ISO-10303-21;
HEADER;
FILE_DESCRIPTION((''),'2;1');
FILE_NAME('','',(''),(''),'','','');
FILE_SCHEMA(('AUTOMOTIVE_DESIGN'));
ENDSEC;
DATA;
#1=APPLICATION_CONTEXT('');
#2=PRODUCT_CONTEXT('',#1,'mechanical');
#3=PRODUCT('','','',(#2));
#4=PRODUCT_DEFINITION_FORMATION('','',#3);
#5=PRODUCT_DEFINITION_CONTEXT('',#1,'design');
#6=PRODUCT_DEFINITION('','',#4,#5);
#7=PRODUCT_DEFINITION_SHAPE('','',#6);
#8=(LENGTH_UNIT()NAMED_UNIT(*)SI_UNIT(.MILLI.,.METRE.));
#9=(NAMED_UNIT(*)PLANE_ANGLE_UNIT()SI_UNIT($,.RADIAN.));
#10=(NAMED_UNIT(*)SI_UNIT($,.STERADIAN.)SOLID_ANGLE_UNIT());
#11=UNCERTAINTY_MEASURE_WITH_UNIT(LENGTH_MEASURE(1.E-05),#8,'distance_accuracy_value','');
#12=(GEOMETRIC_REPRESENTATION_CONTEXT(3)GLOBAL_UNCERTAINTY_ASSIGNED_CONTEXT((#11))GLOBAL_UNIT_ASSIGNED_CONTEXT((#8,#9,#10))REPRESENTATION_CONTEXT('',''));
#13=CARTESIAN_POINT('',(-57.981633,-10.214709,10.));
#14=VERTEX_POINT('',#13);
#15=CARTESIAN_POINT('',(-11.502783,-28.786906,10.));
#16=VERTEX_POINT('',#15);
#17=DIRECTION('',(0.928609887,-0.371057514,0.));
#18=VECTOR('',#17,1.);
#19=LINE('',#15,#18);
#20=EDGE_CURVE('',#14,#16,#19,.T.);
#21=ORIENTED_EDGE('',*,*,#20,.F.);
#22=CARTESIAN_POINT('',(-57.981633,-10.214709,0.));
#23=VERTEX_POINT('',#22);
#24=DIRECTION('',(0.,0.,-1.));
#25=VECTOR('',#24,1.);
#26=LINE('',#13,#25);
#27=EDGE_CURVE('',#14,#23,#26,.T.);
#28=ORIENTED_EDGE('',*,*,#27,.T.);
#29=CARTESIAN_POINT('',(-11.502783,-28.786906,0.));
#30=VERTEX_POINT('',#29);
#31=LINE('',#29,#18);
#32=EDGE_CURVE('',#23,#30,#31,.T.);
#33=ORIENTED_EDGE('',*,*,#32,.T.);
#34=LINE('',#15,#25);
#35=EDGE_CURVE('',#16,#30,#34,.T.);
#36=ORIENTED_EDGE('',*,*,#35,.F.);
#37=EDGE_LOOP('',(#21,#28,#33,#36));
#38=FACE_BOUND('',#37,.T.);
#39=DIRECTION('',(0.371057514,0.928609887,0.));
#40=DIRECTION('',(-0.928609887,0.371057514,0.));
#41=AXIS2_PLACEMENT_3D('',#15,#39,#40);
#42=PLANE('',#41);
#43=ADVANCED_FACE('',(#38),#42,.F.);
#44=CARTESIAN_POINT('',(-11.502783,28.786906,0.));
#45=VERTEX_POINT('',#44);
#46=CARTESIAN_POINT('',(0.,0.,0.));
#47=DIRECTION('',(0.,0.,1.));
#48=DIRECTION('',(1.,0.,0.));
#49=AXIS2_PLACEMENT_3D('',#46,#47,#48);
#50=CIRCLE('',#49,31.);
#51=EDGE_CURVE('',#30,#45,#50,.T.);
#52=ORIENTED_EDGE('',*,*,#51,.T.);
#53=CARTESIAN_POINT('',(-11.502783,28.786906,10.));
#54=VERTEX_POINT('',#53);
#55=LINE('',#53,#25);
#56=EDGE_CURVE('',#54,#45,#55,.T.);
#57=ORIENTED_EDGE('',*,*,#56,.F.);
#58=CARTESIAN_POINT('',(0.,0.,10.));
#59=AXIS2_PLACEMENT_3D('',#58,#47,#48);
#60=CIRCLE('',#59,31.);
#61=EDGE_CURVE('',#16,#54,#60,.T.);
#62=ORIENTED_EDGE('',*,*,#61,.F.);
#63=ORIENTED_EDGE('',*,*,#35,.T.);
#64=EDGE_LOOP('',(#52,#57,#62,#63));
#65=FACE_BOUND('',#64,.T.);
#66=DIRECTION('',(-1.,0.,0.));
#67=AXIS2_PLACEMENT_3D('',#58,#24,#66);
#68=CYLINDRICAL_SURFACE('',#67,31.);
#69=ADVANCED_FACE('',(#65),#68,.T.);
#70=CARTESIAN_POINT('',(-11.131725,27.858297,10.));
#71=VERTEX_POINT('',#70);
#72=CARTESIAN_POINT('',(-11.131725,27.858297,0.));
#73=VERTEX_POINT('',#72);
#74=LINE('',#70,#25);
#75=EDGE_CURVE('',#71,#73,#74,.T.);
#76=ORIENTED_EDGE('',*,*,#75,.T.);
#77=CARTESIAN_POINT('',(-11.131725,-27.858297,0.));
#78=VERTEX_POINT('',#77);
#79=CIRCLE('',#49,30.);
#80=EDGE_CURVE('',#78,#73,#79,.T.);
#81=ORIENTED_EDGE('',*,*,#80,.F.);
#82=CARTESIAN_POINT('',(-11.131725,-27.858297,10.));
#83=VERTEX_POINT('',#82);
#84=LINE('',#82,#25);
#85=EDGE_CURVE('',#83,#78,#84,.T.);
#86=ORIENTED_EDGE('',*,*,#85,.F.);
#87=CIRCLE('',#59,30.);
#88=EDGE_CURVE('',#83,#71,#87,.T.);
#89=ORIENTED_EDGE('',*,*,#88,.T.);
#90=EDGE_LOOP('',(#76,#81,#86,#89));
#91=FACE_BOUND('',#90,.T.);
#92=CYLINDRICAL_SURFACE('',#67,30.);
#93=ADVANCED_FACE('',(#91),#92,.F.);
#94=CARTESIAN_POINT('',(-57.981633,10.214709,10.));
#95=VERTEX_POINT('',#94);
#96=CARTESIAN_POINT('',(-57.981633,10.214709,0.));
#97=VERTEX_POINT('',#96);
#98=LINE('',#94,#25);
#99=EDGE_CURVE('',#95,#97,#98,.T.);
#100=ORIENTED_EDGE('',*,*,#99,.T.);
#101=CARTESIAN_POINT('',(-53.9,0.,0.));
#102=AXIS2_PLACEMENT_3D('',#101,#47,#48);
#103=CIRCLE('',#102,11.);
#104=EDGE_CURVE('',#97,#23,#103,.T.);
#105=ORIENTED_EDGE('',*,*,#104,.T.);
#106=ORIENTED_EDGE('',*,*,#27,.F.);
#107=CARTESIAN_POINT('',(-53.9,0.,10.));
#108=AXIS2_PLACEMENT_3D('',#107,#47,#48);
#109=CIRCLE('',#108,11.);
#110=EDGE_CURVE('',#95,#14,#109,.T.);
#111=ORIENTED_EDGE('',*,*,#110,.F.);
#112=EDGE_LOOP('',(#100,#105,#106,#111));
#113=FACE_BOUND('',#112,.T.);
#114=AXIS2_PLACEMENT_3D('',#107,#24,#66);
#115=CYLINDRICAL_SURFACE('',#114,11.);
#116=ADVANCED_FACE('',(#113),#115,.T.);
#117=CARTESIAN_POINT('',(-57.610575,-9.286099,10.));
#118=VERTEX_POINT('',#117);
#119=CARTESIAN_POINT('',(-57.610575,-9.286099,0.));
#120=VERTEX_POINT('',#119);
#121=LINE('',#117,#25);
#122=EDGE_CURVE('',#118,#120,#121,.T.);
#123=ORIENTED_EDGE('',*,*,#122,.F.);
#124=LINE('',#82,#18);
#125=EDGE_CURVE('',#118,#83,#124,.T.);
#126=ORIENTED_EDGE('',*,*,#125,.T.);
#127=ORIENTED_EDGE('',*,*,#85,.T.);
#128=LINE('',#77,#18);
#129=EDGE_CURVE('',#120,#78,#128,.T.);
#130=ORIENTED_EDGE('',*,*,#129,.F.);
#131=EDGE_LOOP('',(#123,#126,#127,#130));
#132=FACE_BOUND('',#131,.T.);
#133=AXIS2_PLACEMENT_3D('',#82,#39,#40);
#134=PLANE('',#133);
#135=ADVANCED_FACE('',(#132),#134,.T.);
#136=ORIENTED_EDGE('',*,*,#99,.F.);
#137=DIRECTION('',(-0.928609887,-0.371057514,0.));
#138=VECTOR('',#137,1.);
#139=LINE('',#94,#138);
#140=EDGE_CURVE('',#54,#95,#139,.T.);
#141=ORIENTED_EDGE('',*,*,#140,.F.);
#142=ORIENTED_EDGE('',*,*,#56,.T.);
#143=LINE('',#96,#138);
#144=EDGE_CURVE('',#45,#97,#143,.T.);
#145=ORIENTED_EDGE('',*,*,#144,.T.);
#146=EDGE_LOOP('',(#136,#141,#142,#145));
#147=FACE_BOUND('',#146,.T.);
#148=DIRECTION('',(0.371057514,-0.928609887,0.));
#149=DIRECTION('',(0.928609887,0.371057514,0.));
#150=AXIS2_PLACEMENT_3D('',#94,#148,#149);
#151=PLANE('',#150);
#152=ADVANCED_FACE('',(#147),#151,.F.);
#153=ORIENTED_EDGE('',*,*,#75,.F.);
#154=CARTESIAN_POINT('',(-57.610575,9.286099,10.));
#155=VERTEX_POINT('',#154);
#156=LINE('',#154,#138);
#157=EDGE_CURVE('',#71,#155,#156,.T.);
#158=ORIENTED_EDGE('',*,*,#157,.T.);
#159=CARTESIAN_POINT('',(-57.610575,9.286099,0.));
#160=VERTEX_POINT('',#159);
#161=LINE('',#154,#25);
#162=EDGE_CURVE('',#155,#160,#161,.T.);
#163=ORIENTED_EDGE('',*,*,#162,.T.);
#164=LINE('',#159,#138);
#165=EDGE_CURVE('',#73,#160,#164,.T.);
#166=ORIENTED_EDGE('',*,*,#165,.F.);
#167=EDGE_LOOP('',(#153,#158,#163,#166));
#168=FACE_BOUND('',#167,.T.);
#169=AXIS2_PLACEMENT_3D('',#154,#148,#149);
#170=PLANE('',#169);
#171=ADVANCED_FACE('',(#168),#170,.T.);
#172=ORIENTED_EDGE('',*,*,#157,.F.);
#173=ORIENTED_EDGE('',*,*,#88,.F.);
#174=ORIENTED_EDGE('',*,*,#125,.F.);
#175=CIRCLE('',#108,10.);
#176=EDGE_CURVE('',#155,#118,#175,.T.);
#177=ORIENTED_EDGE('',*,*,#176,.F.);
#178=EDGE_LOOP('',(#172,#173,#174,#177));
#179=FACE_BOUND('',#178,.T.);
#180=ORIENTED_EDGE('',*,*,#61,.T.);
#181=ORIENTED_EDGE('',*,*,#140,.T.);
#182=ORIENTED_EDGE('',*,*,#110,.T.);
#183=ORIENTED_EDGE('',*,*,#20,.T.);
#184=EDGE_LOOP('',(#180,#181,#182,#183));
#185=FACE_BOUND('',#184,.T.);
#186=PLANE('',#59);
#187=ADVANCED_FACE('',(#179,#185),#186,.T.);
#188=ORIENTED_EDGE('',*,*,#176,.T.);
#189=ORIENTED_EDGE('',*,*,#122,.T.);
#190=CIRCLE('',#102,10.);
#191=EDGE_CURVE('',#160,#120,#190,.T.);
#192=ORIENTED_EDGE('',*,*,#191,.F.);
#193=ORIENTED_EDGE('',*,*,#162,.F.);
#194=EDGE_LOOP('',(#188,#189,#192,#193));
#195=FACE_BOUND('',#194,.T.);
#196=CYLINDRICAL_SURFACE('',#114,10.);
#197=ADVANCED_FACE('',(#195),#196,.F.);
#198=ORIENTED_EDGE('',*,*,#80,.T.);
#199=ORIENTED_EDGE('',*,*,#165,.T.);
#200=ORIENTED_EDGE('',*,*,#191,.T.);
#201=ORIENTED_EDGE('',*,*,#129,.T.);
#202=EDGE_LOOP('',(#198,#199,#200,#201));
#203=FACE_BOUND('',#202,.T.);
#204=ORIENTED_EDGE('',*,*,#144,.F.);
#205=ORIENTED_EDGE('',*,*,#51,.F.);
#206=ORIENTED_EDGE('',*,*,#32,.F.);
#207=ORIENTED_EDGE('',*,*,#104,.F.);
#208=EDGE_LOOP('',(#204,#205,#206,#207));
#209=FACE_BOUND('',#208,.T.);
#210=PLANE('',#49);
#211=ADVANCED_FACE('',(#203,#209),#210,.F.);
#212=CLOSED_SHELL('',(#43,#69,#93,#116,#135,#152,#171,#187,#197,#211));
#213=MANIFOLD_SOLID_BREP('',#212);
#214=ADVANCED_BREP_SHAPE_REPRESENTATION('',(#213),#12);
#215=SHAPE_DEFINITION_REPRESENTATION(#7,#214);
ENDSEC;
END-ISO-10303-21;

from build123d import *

# Parameters (mm, degrees)
EXTRUDE_1_DEPTH = 10


with BuildPart() as part:
    # 草图1 → 拉伸1 (new body)
    with BuildSketch(Plane.XY):
        with BuildLine():
            Line((-57.981632653, 10.214708752), (-11.502782931, 28.786906483))
            ThreePointArc((-11.502782931, 28.786906483), (31, 0), (-11.502782931, -28.786906483))
            Line((-11.502782931, -28.786906483), (-57.981632653, -10.214708752))
            ThreePointArc((-57.981632653, -10.214708752), (-64.9, 0), (-57.981632653, 10.214708752))
        make_face()
        with BuildLine():
            Line((-57.610575139, 9.286098865), (-11.131725417, 27.858296596))
            ThreePointArc((-11.131725417, 27.858296596), (30, 0), (-11.131725417, -27.858296596))
            Line((-11.131725417, -27.858296596), (-57.610575139, -9.286098865))
            ThreePointArc((-57.610575139, -9.286098865), (-63.9, 0), (-57.610575139, 9.286098865))
        make_face(mode=Mode.SUBTRACT)
    extrude(amount=EXTRUDE_1_DEPTH)


solid = part.part
